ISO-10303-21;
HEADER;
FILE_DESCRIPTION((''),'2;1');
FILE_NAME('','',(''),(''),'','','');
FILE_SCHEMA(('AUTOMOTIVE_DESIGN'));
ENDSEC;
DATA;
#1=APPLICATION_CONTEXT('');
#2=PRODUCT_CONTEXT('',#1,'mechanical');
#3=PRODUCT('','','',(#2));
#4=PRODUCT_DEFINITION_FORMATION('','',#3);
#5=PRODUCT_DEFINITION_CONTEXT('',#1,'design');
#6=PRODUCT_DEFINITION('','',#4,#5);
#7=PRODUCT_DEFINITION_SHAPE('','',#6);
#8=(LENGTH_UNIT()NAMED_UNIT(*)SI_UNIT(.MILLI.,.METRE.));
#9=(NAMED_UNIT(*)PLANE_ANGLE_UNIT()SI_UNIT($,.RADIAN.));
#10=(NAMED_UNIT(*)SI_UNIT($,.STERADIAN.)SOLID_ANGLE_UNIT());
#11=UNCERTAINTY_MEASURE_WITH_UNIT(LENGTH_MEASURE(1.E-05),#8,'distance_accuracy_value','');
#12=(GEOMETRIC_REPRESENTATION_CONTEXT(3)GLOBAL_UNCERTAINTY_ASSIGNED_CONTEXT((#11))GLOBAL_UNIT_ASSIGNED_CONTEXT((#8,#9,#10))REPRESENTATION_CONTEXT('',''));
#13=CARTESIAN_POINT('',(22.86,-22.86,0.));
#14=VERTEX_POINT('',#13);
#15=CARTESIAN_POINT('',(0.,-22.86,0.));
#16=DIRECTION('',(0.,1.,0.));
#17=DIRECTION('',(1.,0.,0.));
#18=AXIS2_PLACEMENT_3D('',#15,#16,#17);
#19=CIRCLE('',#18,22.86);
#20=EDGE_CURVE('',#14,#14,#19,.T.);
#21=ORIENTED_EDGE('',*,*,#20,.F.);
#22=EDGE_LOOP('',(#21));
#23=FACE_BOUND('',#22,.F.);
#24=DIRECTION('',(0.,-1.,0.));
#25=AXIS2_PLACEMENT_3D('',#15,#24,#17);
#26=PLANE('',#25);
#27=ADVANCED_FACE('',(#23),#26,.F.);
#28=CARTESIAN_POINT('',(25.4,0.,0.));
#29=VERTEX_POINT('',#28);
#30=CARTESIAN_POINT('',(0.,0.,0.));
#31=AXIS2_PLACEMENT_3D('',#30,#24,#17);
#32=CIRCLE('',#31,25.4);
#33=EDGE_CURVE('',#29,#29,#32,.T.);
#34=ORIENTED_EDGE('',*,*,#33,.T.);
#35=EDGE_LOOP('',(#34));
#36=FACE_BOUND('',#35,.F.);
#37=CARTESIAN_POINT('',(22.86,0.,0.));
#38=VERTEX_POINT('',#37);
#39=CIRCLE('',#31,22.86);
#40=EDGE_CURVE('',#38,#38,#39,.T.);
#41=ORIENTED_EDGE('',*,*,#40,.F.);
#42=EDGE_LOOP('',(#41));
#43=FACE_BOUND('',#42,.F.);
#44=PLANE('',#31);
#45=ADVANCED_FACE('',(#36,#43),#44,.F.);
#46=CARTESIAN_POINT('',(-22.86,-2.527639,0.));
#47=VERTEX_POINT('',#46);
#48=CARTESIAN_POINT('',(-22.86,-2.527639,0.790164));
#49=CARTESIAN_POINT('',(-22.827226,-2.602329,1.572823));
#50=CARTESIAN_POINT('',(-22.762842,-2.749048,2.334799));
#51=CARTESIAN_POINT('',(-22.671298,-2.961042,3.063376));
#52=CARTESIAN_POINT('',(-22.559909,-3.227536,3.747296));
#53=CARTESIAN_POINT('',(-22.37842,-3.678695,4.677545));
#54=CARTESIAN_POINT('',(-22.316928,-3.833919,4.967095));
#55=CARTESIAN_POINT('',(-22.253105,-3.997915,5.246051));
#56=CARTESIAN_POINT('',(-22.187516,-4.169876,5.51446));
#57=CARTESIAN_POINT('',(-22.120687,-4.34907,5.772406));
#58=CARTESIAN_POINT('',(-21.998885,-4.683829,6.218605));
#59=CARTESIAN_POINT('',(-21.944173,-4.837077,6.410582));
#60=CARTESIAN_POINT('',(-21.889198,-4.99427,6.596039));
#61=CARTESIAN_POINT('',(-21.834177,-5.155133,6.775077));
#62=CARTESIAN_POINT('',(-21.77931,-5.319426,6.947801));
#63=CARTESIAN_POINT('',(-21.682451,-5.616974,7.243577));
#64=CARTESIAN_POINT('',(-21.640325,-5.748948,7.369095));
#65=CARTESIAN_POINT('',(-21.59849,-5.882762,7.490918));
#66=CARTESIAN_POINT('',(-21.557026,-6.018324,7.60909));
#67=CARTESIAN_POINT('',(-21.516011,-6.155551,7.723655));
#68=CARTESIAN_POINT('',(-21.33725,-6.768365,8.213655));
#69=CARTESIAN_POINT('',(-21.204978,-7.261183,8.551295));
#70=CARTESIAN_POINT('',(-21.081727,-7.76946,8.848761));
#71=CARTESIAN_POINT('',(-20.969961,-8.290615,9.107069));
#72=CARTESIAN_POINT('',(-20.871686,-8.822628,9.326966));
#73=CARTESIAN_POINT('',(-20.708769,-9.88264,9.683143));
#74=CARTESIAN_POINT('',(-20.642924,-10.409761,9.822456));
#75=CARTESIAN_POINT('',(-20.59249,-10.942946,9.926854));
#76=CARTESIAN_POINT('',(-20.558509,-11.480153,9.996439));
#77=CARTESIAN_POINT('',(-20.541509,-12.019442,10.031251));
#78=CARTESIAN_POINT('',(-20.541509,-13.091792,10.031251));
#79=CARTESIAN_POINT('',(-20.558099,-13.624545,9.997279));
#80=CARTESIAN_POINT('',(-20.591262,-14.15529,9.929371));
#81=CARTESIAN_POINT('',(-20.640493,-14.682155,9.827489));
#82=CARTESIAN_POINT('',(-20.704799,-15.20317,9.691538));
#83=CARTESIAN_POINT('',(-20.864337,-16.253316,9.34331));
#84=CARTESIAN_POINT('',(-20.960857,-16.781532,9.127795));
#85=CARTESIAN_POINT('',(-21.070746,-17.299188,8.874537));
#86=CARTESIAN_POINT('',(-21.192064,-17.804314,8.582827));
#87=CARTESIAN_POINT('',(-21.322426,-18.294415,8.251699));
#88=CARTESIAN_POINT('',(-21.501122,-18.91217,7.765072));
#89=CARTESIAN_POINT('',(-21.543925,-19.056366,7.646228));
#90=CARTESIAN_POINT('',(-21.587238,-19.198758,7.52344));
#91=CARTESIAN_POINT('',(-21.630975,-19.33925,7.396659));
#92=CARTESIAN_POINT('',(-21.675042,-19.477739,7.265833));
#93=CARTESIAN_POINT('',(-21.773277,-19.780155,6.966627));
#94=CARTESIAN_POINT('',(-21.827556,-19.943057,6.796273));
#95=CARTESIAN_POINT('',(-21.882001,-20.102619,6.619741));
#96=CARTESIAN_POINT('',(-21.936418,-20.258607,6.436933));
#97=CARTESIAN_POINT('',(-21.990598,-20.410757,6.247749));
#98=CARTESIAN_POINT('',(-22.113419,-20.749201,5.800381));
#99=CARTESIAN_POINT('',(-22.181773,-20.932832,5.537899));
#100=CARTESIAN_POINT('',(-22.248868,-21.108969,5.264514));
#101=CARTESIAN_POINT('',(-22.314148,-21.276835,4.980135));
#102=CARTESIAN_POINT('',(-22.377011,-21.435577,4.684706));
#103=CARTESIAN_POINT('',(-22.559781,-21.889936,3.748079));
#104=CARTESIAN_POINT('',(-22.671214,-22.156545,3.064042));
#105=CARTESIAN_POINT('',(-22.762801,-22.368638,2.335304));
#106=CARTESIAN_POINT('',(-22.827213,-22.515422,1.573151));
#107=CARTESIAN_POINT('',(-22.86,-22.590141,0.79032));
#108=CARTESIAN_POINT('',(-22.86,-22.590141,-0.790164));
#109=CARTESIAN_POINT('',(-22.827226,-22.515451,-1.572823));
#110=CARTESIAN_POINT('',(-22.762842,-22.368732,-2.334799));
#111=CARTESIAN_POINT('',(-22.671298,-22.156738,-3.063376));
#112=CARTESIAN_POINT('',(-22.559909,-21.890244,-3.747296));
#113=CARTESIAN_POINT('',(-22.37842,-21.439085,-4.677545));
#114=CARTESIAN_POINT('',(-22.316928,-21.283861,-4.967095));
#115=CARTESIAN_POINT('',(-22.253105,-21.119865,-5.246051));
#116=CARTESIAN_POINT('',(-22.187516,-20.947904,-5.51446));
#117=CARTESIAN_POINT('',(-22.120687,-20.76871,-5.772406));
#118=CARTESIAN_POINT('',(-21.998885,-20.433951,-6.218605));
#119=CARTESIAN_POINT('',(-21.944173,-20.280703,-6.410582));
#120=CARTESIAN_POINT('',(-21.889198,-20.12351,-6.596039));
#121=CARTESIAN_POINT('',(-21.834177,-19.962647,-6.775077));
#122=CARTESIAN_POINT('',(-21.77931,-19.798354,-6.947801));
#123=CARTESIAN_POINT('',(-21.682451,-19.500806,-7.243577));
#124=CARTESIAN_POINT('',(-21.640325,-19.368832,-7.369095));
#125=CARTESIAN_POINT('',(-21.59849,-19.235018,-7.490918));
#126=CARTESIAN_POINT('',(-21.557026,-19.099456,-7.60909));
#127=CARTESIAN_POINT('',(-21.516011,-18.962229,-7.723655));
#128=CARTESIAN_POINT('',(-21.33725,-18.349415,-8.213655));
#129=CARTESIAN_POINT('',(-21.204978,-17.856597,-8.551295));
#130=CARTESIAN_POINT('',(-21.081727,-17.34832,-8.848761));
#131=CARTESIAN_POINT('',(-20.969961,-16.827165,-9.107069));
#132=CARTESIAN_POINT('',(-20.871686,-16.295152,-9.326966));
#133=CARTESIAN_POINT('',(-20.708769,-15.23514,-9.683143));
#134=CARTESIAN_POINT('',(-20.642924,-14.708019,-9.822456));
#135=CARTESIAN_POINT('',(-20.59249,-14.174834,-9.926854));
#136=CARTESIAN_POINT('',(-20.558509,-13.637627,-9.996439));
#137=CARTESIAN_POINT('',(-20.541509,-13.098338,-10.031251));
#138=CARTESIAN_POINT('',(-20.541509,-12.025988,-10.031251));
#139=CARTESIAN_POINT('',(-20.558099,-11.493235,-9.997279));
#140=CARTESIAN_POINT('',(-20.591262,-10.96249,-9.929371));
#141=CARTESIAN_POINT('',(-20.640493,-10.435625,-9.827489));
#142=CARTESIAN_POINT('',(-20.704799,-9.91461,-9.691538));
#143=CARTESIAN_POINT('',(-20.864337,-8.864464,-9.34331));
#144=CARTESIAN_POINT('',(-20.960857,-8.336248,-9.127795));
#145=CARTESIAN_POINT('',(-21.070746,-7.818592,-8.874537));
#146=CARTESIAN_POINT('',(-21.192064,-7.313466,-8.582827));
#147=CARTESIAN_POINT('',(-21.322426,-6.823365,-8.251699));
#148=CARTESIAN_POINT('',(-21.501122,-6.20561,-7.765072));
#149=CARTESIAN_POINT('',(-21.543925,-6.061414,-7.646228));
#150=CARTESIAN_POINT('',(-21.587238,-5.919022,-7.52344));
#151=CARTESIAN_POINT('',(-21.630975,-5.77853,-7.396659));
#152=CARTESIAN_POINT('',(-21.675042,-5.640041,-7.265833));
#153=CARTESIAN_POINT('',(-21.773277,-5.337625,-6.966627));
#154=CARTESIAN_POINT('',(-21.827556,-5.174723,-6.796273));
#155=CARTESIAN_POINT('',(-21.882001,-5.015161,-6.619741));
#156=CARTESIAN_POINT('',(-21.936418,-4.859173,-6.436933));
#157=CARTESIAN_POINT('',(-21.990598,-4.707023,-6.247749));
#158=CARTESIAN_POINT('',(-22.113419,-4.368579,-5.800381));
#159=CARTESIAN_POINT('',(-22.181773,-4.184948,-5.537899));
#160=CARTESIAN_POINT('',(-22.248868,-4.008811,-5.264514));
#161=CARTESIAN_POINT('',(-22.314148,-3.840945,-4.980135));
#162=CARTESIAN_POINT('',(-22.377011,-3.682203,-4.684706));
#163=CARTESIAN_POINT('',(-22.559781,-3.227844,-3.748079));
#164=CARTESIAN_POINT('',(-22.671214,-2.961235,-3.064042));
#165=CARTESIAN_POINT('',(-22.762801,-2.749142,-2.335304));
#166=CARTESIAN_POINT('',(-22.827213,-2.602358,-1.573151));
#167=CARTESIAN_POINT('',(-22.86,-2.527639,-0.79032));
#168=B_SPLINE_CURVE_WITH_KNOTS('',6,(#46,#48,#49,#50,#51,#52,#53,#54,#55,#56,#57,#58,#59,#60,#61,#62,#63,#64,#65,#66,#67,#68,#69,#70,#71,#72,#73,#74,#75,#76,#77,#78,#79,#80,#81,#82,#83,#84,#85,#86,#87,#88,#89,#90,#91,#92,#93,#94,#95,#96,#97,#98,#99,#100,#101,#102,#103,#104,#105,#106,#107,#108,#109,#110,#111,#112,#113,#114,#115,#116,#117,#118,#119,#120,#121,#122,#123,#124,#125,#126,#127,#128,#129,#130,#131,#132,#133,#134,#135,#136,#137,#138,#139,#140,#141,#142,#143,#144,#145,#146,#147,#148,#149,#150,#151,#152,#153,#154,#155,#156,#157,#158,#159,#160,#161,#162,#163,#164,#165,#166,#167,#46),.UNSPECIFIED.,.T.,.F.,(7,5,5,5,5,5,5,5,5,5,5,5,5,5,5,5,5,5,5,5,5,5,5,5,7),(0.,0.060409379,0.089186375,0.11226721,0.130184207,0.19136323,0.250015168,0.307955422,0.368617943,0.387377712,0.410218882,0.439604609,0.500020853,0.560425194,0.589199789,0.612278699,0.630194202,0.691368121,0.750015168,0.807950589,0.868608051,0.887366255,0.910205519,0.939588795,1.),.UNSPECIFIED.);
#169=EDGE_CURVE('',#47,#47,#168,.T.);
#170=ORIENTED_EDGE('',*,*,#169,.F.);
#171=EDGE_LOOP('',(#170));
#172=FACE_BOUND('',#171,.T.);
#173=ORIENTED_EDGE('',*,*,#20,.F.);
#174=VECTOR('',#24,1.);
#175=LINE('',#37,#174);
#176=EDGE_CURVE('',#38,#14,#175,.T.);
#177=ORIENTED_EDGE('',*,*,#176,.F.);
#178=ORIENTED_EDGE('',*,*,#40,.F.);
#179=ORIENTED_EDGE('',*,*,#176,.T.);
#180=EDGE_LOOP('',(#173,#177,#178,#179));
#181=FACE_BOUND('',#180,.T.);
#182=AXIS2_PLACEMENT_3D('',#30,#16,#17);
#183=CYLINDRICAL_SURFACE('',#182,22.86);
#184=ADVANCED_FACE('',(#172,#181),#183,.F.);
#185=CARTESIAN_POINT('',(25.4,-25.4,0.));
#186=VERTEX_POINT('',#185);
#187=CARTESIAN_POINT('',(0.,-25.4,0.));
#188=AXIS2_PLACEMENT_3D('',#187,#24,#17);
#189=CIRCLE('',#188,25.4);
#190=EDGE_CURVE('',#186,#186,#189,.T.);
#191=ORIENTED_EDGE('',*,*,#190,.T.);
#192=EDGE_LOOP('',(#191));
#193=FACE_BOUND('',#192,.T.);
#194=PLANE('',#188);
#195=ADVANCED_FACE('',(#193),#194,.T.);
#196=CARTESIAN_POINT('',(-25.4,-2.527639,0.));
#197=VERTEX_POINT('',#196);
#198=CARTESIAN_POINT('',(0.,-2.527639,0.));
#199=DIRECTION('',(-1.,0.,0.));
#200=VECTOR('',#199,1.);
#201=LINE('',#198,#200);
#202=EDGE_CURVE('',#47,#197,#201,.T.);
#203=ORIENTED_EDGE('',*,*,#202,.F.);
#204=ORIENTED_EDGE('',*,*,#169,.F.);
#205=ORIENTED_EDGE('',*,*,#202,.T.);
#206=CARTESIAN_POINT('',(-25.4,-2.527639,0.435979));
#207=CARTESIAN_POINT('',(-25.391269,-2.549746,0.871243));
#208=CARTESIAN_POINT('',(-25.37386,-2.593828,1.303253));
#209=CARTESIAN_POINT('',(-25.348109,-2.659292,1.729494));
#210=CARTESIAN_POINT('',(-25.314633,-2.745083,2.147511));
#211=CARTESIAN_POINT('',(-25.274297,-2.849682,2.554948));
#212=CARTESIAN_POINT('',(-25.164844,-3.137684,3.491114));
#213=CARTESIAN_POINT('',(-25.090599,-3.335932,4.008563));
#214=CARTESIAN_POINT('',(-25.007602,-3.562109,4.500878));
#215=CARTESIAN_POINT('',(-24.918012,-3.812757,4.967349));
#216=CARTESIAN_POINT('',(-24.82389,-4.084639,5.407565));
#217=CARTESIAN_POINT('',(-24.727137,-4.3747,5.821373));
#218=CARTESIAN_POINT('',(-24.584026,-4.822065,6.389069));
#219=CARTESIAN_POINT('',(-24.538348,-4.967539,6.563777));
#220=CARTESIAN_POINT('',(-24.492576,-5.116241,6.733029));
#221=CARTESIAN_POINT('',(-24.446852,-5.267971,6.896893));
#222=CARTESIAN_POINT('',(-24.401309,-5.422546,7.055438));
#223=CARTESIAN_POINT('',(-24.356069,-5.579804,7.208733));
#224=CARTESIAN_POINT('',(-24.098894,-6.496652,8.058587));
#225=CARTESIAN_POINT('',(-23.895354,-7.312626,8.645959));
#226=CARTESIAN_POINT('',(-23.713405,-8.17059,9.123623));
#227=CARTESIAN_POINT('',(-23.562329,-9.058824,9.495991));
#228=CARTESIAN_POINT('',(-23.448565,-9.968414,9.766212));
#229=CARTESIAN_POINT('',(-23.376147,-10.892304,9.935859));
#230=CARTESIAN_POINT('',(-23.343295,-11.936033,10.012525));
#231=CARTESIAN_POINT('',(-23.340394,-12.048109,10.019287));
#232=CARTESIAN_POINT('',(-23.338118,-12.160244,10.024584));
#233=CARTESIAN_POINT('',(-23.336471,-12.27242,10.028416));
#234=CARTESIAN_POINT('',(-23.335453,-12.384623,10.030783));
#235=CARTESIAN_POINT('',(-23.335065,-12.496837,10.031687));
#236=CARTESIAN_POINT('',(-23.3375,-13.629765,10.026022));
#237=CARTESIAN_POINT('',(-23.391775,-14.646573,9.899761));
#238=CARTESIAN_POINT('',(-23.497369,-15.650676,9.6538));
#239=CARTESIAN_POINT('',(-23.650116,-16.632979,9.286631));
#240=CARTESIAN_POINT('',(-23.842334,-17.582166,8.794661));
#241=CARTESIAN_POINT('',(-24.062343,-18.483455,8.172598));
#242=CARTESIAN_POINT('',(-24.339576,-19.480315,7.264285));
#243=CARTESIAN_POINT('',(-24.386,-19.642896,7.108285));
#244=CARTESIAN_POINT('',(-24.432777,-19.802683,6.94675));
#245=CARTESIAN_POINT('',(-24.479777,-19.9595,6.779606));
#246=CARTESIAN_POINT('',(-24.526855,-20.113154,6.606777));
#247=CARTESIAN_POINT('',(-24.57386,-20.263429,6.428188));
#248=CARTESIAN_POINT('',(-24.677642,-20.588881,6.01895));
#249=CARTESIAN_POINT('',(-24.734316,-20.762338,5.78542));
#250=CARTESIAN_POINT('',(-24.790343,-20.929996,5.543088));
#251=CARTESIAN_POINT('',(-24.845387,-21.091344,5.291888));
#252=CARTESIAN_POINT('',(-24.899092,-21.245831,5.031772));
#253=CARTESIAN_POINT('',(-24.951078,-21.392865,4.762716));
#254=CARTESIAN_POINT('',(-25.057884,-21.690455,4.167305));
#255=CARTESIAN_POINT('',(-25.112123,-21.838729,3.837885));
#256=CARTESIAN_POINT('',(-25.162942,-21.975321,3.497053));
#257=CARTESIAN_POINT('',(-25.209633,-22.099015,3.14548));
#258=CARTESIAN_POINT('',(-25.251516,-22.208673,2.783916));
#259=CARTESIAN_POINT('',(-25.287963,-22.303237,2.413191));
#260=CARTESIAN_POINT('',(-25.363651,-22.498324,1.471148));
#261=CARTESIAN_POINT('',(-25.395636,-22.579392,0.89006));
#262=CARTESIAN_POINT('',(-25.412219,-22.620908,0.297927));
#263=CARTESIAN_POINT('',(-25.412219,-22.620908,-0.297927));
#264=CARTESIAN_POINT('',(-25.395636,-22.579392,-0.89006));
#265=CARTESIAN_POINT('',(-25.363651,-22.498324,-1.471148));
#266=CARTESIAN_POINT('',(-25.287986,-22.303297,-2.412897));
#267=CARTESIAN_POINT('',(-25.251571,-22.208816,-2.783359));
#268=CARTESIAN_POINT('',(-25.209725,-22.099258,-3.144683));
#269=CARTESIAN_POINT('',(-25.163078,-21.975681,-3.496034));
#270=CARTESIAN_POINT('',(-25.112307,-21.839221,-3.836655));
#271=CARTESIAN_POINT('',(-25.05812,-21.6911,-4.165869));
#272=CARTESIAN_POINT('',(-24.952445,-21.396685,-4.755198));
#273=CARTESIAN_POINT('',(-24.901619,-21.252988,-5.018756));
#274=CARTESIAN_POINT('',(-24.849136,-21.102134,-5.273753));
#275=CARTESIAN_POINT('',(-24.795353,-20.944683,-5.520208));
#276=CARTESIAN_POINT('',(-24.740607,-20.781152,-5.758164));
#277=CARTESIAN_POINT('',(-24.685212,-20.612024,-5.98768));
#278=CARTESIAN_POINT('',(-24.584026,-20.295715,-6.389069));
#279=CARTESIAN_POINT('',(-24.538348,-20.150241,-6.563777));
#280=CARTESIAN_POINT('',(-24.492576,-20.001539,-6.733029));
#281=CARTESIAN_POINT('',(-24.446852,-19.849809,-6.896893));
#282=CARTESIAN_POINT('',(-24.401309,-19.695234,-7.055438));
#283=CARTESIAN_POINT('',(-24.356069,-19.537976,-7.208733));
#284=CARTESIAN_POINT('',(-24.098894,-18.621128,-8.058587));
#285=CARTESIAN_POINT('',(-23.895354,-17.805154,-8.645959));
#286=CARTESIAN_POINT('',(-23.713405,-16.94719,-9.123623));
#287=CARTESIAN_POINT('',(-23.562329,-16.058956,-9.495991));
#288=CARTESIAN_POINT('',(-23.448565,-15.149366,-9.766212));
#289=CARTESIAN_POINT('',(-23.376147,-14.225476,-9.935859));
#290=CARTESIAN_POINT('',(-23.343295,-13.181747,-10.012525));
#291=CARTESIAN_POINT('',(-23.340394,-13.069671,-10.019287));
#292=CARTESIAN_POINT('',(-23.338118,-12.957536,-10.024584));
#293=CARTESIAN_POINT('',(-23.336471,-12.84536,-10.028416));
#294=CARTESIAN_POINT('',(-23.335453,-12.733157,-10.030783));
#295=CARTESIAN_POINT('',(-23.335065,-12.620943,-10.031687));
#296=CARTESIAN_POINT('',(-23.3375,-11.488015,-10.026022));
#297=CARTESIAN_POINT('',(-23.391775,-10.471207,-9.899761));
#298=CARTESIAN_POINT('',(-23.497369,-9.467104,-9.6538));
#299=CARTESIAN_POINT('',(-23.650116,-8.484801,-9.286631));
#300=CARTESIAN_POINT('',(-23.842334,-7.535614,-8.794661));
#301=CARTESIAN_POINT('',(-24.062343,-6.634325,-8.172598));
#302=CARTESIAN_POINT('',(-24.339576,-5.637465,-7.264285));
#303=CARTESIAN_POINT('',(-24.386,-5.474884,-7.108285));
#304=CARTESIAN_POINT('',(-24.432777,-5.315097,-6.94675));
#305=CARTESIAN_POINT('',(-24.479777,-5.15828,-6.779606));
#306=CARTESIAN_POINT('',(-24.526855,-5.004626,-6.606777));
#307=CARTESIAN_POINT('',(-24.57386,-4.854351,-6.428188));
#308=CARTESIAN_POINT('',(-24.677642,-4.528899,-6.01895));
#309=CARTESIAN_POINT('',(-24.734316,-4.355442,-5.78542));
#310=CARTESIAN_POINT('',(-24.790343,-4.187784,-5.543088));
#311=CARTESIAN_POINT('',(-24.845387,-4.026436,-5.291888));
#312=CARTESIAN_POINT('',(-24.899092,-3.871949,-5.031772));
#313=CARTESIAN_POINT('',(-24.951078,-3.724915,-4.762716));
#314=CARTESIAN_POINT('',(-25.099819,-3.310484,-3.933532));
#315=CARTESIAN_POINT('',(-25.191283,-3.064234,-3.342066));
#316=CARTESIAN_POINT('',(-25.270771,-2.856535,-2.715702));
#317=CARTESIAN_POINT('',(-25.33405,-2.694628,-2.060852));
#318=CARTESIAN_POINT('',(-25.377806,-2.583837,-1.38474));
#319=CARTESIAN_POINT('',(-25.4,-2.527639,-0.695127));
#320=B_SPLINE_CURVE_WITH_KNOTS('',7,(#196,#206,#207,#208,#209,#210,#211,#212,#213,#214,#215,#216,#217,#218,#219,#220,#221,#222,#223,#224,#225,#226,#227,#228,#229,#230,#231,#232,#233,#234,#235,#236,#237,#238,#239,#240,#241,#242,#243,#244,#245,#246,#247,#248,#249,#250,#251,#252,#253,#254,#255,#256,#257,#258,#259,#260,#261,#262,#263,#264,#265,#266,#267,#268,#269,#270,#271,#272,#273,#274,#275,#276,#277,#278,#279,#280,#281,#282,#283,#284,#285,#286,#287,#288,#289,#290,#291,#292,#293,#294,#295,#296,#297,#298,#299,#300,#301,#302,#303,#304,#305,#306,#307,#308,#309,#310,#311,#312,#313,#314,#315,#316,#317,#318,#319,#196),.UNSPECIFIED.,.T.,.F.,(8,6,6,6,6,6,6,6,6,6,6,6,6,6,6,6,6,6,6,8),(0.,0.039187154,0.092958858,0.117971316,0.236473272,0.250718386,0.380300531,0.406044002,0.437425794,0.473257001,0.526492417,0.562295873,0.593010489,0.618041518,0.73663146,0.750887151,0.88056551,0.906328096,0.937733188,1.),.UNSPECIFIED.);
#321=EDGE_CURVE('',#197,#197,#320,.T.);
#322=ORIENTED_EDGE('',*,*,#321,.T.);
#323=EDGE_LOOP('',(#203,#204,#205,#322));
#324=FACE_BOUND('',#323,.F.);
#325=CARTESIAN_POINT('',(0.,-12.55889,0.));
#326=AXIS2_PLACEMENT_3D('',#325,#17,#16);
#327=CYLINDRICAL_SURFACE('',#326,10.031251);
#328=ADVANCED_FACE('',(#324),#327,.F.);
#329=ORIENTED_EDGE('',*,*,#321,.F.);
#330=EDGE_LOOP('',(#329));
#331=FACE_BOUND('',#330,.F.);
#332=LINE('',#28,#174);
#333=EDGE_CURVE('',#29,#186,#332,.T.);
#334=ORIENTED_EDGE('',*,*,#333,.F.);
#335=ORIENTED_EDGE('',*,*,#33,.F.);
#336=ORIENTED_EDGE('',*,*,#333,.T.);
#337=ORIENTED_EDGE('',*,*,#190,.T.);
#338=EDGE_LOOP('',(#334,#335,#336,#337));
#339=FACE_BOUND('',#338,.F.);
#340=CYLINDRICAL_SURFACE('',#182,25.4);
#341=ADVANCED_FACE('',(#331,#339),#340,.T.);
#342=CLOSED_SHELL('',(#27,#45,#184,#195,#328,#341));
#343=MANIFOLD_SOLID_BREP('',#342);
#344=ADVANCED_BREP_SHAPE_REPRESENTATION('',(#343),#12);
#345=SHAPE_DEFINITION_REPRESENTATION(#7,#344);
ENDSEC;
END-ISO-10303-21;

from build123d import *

# Parameters (mm, degrees)
F0_R     = 25.4
F1_DEPTH = 25.4
F2_T     = -2.54
F3_R     = 10.031251
F4_DEPTH = 25.401


with BuildPart() as f1:
    # F0 (on Front) → F1 (new body)
    with BuildSketch(Plane.XZ):
        Circle(F0_R)
    extrude(amount=F1_DEPTH)

    # F2
    f2_openings = [f1.faces().sort_by_distance(p)[0] for p in [
        (0, 0, 0),
    ]]
    offset(amount=F2_T, openings=f2_openings)

    # F3 (on Right) → F4 (cut, through all)
    with BuildSketch(Plane.YZ):
        with Locations((-12.55889, 0)):
            Circle(F3_R)
    extrude(amount=-F4_DEPTH, mode=Mode.SUBTRACT)


solid = f1.part
